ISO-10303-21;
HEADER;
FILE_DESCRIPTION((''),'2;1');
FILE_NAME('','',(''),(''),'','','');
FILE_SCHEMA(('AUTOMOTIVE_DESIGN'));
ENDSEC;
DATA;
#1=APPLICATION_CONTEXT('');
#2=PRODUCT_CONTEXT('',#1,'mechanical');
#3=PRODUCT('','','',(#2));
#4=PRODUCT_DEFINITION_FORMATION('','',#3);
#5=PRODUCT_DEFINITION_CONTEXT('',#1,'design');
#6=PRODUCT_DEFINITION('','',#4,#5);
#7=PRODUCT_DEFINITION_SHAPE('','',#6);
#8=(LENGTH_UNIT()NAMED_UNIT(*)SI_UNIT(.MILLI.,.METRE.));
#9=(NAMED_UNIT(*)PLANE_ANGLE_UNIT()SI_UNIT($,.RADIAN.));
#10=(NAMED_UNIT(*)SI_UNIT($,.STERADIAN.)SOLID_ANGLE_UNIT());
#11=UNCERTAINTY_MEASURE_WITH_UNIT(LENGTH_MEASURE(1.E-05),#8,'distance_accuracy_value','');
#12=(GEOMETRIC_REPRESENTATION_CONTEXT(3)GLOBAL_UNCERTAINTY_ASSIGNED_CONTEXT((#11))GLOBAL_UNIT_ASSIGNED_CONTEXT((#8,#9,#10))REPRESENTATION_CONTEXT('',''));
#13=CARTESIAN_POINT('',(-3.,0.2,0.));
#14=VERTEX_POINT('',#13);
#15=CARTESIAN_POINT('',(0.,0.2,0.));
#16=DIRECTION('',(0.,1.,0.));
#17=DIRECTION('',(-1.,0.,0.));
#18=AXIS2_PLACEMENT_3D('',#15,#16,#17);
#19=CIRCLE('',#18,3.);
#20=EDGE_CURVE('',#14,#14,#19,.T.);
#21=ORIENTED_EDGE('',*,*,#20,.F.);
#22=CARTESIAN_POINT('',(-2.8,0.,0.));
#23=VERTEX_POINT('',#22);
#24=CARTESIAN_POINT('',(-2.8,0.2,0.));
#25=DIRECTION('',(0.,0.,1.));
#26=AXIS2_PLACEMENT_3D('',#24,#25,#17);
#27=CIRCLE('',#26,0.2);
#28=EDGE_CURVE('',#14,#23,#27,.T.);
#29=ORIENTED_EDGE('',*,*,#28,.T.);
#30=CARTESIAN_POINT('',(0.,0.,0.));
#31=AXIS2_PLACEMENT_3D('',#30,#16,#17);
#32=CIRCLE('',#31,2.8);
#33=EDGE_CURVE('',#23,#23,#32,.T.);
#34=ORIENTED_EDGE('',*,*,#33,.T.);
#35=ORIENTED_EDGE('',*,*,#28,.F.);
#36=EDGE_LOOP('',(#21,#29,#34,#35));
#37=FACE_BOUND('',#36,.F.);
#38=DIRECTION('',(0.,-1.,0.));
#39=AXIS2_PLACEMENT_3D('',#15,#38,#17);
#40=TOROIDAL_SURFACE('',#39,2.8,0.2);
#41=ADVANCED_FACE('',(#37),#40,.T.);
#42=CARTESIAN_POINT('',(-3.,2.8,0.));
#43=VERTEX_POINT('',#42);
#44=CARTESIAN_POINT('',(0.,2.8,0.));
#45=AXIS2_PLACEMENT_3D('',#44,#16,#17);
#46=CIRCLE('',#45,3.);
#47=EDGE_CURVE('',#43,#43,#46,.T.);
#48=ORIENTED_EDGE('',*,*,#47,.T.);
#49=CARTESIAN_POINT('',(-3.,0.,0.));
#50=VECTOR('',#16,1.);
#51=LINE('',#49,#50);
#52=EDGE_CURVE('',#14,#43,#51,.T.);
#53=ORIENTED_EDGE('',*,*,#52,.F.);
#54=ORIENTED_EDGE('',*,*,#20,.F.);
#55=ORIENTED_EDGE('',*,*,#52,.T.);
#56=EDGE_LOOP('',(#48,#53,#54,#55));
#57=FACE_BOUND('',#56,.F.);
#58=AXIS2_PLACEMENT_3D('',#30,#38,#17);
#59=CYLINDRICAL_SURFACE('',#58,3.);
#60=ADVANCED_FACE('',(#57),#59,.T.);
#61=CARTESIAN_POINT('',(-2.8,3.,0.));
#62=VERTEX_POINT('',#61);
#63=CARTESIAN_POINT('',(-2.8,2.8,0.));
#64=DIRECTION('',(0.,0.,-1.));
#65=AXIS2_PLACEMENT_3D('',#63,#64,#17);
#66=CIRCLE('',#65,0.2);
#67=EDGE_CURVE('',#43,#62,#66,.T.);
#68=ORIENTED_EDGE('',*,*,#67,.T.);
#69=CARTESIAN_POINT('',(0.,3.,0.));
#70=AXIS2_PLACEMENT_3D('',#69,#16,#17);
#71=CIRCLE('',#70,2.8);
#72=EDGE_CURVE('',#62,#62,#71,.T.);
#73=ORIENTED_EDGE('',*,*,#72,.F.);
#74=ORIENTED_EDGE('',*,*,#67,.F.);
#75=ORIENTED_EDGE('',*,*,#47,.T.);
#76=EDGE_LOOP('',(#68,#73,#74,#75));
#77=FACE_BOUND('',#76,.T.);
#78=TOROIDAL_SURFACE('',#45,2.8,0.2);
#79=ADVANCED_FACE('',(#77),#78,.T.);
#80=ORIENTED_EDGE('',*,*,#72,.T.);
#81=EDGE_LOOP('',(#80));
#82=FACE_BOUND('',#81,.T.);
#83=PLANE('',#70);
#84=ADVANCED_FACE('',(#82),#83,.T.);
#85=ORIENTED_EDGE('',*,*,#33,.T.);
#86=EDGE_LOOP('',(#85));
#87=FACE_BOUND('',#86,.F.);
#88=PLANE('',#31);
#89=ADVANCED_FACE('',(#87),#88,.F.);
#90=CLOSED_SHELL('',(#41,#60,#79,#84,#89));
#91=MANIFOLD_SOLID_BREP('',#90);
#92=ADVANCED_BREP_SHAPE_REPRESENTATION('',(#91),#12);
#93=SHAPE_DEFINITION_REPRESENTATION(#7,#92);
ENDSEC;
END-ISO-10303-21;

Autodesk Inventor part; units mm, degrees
ref_plane "YZ Plane" through (0, 0, 0) normal (1, 0, 0) x (0, 1, 0)
ref_plane "XZ Plane" through (0, 0, 0) normal (0, 1, 0) x (-1, 0, 0)
ref_plane "XY Plane" through (0, 0, 0) normal (0, 0, 1) x (1, 0, 0)
sketch "Sketch1" plane through (0, 0, 0) normal (0, 1, 0) x (-1, 0, 0)
  circle A0 centre (0, 0) radius 3
  dimension "d0" = 6
extrude "Extrusion1" add sketch "Sketch1" along normal blind 3
fillet "Fillet1" radius 0.2 2 edges at (3, 3, 0) (3, 0, 0)
properties part number "COTS_GENERIC_6x3mm_Cylindricial_Neodymium_Magnet"
